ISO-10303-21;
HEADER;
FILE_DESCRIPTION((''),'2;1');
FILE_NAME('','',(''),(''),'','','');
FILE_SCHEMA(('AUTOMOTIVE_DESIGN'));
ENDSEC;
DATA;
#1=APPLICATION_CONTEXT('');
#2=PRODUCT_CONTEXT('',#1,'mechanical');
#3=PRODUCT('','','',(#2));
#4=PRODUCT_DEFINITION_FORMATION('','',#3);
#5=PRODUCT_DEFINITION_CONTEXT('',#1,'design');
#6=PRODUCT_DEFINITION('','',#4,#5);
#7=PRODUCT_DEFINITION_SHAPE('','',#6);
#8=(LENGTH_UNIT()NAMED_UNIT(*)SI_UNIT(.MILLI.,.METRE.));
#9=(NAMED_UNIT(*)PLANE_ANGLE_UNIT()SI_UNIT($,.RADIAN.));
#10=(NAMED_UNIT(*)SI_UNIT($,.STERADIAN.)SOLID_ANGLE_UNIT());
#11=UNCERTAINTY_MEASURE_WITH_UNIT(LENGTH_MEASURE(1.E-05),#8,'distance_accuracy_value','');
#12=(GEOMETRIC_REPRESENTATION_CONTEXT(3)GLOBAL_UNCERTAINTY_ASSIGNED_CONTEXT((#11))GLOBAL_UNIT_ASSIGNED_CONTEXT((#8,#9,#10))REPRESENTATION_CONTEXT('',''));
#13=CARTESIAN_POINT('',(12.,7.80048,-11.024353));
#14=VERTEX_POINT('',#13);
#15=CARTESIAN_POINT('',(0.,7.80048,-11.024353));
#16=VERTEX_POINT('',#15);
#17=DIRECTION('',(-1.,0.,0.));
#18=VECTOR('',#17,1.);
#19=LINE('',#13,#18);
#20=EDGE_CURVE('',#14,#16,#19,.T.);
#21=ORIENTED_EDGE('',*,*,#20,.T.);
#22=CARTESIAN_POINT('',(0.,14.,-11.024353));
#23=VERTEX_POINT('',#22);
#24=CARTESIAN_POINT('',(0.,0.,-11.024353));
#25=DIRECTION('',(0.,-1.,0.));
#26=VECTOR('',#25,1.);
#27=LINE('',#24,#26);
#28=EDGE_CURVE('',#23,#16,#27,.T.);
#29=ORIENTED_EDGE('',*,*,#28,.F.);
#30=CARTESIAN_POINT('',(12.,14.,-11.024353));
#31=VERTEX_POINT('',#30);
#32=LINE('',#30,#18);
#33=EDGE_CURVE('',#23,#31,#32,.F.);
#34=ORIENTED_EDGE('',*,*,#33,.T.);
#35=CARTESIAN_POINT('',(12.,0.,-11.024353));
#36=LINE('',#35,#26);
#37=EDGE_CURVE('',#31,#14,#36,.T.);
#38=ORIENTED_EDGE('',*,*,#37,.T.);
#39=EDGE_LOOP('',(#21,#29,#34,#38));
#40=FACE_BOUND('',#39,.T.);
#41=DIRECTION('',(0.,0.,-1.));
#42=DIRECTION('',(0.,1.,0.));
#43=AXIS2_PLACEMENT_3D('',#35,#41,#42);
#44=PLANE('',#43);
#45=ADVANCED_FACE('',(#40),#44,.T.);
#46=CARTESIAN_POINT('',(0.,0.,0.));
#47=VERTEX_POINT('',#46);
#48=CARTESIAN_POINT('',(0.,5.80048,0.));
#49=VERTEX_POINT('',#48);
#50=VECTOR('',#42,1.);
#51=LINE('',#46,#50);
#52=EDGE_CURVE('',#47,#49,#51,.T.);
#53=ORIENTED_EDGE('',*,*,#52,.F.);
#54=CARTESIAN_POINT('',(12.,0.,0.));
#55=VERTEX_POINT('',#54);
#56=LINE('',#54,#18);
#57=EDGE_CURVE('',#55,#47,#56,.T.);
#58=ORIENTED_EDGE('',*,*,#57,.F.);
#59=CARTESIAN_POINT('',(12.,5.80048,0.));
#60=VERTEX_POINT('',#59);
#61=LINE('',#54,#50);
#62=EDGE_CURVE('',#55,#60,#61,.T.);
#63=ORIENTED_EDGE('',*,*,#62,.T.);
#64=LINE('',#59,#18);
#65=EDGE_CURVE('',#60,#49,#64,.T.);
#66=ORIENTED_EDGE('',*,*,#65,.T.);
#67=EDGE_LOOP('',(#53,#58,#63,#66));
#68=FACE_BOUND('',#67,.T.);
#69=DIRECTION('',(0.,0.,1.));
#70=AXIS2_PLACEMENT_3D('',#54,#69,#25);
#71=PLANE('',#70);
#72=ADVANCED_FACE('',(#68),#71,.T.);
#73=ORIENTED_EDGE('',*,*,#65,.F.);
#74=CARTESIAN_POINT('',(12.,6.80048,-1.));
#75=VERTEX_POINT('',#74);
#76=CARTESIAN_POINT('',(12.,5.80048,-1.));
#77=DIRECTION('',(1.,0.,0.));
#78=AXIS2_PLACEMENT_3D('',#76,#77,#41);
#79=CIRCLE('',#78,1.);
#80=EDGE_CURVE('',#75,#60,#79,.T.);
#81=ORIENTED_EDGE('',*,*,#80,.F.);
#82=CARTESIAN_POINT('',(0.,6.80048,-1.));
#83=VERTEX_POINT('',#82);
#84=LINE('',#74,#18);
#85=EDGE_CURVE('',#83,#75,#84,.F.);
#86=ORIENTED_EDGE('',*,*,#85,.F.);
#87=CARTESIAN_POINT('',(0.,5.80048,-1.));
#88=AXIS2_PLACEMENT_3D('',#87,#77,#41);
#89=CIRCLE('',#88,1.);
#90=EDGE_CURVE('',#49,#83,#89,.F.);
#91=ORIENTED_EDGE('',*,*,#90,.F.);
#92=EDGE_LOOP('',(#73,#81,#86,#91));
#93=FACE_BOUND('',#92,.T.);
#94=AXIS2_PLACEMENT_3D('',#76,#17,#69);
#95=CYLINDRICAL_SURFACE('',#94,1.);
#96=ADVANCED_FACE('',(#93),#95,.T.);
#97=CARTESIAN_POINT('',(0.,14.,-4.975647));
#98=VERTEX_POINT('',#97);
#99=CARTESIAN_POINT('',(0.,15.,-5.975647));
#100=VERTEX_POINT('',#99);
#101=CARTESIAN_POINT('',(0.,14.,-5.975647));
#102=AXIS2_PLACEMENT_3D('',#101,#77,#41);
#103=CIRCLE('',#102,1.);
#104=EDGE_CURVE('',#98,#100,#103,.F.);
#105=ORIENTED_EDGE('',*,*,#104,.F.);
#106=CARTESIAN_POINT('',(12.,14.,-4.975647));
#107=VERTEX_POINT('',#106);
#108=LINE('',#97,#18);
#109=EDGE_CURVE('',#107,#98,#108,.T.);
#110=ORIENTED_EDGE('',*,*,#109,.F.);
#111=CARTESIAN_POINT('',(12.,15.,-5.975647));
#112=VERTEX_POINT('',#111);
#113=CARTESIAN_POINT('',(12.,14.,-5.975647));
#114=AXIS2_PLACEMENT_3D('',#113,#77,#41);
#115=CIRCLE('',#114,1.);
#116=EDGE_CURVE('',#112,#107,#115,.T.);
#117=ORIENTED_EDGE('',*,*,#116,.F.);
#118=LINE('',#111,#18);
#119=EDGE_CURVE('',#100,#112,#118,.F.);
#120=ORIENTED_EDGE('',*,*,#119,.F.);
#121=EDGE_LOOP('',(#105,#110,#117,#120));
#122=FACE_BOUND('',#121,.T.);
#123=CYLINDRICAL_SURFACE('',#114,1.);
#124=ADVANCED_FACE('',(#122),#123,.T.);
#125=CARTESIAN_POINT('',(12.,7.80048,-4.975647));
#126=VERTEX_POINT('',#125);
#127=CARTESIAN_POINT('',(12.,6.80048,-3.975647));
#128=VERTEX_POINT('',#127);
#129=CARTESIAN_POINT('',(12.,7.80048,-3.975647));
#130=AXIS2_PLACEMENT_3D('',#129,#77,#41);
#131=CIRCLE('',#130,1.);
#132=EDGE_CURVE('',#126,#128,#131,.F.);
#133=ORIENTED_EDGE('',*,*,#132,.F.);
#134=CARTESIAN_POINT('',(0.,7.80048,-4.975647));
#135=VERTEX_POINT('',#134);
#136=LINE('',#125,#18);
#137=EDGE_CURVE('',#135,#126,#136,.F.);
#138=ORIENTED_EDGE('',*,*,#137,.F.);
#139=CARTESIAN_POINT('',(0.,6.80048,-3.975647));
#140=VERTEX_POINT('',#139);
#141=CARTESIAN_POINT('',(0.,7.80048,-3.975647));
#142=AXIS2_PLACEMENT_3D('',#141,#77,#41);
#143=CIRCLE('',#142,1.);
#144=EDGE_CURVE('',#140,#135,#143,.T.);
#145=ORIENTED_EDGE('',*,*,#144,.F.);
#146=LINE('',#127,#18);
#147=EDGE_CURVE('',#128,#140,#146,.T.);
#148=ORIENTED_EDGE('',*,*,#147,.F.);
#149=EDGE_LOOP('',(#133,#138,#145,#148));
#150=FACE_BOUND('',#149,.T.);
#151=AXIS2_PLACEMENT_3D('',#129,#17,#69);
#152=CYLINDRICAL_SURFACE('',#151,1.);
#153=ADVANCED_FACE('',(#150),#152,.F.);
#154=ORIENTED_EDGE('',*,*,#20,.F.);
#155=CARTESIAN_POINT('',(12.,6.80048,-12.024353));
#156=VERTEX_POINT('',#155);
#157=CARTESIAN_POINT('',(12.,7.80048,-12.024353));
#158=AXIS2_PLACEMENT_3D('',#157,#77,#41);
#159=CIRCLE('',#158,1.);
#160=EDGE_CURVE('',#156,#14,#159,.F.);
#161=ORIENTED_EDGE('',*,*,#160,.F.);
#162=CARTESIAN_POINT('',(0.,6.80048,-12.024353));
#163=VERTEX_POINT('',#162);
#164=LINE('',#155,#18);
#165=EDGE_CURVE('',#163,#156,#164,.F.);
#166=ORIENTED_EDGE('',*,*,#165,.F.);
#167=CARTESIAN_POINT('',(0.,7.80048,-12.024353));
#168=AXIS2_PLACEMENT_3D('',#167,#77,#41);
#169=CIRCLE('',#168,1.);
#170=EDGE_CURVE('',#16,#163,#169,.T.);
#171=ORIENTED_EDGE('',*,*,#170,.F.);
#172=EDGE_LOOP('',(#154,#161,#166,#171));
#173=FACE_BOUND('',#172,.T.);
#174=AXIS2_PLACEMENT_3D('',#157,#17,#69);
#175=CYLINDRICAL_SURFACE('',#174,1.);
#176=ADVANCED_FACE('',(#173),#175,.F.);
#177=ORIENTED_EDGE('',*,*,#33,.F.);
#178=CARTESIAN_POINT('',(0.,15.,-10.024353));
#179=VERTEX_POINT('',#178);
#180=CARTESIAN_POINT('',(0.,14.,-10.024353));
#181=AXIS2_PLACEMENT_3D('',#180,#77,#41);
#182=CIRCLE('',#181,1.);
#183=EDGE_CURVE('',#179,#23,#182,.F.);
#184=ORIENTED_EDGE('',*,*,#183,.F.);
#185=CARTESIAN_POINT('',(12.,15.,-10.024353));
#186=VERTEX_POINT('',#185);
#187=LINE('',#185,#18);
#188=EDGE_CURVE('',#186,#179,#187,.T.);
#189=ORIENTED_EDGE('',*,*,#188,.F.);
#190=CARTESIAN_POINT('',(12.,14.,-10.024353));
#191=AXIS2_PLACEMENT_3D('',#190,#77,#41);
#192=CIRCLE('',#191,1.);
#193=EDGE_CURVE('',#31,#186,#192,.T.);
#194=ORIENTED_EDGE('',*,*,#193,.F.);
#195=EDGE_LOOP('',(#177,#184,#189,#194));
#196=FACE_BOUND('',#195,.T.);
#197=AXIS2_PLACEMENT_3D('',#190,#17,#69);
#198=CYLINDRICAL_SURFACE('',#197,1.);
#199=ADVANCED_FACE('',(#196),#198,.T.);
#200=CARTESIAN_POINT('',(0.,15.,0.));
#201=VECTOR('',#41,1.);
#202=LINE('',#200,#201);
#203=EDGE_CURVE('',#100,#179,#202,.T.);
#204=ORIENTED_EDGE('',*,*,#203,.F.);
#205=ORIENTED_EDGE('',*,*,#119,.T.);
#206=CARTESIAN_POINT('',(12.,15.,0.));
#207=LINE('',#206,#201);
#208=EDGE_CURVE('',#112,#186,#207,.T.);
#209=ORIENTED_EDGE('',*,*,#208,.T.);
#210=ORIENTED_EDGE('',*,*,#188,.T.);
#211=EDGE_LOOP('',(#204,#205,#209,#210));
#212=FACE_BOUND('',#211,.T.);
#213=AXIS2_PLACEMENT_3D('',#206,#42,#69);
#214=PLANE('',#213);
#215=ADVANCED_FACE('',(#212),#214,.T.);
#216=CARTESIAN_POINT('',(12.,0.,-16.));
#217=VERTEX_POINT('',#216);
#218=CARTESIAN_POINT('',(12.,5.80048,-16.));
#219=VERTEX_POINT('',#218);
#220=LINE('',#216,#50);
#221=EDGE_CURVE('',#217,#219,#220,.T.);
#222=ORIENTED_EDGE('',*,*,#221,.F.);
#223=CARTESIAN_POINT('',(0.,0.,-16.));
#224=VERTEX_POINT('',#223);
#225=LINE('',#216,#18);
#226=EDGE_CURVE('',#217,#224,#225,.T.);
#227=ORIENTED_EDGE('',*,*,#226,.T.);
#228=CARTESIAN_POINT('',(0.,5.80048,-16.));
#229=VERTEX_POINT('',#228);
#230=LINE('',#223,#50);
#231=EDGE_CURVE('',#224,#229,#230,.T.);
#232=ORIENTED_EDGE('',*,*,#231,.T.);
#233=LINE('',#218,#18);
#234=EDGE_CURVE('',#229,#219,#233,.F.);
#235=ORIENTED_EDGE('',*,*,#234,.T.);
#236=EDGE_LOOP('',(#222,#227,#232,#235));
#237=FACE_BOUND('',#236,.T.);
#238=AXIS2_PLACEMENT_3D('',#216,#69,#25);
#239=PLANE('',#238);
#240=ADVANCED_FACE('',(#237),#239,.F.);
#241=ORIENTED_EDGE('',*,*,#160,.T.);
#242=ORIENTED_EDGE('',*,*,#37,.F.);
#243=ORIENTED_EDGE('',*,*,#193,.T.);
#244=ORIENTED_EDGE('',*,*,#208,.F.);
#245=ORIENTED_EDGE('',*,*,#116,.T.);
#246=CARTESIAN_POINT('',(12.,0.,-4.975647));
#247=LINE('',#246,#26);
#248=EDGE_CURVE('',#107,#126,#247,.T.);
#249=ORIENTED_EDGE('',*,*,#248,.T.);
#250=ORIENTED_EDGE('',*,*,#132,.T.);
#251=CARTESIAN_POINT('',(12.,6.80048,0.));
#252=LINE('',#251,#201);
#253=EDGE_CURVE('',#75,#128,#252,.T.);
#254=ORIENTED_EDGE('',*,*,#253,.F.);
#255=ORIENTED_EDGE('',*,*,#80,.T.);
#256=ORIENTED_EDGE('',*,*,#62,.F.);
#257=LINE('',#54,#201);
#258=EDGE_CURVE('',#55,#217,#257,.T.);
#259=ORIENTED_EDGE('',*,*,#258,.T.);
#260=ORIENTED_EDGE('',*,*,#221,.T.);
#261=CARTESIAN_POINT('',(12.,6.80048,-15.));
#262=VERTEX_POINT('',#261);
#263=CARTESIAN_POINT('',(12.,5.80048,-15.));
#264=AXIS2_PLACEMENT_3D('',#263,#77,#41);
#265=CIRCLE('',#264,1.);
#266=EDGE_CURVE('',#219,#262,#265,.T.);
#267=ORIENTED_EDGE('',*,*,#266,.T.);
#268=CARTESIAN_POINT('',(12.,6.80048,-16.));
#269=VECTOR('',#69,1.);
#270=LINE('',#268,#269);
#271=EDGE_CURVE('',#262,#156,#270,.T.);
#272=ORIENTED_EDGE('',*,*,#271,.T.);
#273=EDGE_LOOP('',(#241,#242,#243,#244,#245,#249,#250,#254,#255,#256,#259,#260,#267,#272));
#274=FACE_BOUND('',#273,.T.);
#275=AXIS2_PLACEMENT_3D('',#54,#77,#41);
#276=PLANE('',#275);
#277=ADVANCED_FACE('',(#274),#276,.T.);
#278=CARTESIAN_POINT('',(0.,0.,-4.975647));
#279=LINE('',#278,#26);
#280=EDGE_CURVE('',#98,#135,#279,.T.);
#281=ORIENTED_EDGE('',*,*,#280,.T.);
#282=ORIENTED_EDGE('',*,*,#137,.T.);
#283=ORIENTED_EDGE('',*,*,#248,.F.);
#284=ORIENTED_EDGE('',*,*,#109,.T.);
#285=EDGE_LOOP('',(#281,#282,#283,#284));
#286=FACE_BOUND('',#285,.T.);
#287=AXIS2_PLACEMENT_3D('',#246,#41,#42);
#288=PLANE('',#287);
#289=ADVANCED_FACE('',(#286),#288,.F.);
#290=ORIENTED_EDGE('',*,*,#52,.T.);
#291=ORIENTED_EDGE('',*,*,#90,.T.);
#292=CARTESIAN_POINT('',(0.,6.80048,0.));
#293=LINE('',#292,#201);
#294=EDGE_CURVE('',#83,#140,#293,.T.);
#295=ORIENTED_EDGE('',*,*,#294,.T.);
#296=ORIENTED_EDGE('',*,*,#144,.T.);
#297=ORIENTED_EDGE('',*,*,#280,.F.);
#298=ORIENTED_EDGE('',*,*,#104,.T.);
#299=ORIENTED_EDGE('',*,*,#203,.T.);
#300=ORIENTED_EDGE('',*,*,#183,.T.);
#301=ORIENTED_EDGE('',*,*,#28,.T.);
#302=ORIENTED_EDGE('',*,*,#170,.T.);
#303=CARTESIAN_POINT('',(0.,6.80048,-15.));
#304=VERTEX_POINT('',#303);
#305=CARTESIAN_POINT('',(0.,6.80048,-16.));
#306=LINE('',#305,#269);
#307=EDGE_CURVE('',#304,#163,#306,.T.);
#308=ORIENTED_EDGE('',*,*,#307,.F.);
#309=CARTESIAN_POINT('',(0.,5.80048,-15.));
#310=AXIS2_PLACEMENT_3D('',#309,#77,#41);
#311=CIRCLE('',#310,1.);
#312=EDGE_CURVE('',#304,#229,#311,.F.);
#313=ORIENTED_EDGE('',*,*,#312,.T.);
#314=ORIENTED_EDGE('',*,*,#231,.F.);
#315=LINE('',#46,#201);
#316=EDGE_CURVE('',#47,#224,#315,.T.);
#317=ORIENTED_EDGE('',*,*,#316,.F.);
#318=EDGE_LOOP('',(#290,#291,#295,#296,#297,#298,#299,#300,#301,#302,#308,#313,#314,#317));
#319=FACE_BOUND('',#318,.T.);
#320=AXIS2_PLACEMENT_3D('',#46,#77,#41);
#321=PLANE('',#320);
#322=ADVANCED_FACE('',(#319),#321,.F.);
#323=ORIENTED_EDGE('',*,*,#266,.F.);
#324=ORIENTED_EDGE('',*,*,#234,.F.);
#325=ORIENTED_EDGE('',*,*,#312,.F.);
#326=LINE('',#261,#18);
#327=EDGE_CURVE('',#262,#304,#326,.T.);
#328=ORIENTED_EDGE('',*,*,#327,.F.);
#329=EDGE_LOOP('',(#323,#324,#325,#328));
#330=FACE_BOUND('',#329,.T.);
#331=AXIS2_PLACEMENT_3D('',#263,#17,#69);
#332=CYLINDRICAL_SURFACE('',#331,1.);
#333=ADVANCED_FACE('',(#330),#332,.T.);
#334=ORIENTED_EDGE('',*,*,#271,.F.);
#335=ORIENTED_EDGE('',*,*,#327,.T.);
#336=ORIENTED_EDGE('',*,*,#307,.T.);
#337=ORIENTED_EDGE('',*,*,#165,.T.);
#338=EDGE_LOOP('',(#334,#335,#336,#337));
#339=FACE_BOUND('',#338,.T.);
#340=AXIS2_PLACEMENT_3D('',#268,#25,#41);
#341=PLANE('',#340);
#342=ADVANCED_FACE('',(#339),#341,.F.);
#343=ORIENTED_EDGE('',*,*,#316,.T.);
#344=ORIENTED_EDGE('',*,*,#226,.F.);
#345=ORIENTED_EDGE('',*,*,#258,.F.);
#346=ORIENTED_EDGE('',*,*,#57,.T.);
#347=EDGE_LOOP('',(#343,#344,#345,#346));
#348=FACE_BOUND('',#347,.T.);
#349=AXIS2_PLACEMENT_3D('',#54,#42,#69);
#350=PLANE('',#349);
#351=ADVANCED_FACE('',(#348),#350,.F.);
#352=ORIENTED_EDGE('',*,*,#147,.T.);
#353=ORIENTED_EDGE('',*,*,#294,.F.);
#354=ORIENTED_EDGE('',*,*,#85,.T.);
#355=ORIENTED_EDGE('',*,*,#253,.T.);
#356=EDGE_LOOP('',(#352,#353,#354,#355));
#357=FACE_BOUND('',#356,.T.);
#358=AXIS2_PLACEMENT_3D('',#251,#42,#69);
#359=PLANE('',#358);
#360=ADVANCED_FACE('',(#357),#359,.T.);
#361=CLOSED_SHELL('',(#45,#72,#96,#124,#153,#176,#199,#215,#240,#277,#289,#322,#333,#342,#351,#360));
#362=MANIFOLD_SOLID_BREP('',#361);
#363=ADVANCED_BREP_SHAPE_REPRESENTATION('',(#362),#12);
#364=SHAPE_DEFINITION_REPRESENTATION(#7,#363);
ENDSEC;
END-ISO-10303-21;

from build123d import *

# Parameters (mm, degrees)
BOSS_EXTRUDE1_DEPTH  = 12
FILLET1_R            = 1
FILLET1_OF_MIRROR2_R = 1


with BuildPart() as part:
    # Sketch1 → Boss-Extrude1 (new body)
    with BuildSketch(Plane(origin=(0, 0, 0), x_dir=(0, 0, -1), z_dir=(1, 0, 0))):
        Polygon((0, 6.800479655), (0, 0), (8, 0), (8, 15), (4.975646797, 15), (4.975646797, 6.800479655), align=None)
    boss_extrude1 = extrude(amount=BOSS_EXTRUDE1_DEPTH)

    # Fillet1
    fillet1_edges = [part.edges().sort_by_distance(p)[0] for p in [
        (6, 6.800479655, 0),
        (6, 6.800479655, -4.975646797),
        (6, 15, -4.975646797),
    ]]
    fillet(fillet1_edges, radius=FILLET1_R)

    # Mirror2: Boss-Extrude1 across plane
    add(boss_extrude1.mirror(Plane(origin=(12, 0, -8), x_dir=(1, 0, 0), z_dir=(0, 0, 1))))

    # Fillet1 of Mirror2
    fillet1_of_mirror2_edges = [part.edges().sort_by_distance(p)[0] for p in [
        (6, 6.800479655, -16),
        (6, 6.800479655, -11.024353203),
        (6, 15, -11.024353203),
    ]]
    fillet(fillet1_of_mirror2_edges, radius=FILLET1_OF_MIRROR2_R)


solid = part.part
